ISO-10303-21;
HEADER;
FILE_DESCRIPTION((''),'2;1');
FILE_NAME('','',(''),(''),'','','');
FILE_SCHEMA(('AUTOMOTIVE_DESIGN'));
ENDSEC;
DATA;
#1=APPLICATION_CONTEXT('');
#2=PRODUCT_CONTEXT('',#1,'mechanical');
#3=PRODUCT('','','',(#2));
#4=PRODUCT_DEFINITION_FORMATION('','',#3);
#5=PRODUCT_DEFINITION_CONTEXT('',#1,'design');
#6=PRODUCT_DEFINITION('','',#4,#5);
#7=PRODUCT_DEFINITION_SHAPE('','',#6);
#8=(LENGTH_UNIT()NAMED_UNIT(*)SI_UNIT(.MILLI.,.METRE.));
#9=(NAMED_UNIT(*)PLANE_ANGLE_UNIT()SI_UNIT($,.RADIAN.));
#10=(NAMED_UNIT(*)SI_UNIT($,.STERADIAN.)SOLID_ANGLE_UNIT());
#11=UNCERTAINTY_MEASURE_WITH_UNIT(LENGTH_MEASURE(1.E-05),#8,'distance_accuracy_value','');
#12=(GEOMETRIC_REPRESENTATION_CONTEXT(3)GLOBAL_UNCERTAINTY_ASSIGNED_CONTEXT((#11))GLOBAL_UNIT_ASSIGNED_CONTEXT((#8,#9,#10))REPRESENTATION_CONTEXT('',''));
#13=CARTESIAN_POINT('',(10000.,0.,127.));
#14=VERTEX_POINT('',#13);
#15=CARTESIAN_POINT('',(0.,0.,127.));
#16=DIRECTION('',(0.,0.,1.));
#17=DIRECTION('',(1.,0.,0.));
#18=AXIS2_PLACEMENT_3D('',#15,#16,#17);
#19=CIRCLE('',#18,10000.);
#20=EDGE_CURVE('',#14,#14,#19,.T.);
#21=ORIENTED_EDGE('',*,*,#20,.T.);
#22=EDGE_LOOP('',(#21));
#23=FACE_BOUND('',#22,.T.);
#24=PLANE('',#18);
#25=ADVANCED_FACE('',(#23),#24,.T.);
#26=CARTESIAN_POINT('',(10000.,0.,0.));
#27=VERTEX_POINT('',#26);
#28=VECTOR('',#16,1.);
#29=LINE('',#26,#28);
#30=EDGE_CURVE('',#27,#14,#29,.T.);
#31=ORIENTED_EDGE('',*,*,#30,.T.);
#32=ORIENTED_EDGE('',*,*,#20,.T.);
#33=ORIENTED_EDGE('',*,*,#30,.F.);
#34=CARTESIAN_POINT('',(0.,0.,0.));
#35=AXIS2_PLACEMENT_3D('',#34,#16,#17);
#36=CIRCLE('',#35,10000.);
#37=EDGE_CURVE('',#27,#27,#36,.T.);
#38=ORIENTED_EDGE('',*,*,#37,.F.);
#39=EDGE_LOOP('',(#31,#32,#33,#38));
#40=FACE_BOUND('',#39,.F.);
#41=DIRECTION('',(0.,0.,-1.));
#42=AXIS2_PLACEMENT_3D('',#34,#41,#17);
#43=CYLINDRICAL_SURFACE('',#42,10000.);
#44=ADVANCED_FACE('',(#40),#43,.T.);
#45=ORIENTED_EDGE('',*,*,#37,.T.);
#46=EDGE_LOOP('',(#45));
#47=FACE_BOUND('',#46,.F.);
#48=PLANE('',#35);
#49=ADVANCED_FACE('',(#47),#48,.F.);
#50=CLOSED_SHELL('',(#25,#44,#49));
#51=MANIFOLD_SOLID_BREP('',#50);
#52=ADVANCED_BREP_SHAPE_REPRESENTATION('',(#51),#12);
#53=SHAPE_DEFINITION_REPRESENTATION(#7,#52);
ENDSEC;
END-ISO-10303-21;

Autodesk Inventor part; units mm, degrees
ref_plane "YZ Plane" through (0, 0, 0) normal (1, 0, 0) x (0, 1, 0)
ref_plane "XZ Plane" through (0, 0, 0) normal (0, 1, 0) x (-1, 0, 0)
ref_plane "XY Plane" through (0, 0, 0) normal (0, 0, 1) x (1, 0, 0)
sketch "Sketch1" plane through (0, 0, 0) normal (0, 0, 1) x (1, 0, 0)
  circle A0 centre (0, 0) radius 10000
  dimension "d0" = 20000
extrude "Extrusion1" add sketch "Sketch1" along normal blind 127
properties part number "Wheel_Consept"
